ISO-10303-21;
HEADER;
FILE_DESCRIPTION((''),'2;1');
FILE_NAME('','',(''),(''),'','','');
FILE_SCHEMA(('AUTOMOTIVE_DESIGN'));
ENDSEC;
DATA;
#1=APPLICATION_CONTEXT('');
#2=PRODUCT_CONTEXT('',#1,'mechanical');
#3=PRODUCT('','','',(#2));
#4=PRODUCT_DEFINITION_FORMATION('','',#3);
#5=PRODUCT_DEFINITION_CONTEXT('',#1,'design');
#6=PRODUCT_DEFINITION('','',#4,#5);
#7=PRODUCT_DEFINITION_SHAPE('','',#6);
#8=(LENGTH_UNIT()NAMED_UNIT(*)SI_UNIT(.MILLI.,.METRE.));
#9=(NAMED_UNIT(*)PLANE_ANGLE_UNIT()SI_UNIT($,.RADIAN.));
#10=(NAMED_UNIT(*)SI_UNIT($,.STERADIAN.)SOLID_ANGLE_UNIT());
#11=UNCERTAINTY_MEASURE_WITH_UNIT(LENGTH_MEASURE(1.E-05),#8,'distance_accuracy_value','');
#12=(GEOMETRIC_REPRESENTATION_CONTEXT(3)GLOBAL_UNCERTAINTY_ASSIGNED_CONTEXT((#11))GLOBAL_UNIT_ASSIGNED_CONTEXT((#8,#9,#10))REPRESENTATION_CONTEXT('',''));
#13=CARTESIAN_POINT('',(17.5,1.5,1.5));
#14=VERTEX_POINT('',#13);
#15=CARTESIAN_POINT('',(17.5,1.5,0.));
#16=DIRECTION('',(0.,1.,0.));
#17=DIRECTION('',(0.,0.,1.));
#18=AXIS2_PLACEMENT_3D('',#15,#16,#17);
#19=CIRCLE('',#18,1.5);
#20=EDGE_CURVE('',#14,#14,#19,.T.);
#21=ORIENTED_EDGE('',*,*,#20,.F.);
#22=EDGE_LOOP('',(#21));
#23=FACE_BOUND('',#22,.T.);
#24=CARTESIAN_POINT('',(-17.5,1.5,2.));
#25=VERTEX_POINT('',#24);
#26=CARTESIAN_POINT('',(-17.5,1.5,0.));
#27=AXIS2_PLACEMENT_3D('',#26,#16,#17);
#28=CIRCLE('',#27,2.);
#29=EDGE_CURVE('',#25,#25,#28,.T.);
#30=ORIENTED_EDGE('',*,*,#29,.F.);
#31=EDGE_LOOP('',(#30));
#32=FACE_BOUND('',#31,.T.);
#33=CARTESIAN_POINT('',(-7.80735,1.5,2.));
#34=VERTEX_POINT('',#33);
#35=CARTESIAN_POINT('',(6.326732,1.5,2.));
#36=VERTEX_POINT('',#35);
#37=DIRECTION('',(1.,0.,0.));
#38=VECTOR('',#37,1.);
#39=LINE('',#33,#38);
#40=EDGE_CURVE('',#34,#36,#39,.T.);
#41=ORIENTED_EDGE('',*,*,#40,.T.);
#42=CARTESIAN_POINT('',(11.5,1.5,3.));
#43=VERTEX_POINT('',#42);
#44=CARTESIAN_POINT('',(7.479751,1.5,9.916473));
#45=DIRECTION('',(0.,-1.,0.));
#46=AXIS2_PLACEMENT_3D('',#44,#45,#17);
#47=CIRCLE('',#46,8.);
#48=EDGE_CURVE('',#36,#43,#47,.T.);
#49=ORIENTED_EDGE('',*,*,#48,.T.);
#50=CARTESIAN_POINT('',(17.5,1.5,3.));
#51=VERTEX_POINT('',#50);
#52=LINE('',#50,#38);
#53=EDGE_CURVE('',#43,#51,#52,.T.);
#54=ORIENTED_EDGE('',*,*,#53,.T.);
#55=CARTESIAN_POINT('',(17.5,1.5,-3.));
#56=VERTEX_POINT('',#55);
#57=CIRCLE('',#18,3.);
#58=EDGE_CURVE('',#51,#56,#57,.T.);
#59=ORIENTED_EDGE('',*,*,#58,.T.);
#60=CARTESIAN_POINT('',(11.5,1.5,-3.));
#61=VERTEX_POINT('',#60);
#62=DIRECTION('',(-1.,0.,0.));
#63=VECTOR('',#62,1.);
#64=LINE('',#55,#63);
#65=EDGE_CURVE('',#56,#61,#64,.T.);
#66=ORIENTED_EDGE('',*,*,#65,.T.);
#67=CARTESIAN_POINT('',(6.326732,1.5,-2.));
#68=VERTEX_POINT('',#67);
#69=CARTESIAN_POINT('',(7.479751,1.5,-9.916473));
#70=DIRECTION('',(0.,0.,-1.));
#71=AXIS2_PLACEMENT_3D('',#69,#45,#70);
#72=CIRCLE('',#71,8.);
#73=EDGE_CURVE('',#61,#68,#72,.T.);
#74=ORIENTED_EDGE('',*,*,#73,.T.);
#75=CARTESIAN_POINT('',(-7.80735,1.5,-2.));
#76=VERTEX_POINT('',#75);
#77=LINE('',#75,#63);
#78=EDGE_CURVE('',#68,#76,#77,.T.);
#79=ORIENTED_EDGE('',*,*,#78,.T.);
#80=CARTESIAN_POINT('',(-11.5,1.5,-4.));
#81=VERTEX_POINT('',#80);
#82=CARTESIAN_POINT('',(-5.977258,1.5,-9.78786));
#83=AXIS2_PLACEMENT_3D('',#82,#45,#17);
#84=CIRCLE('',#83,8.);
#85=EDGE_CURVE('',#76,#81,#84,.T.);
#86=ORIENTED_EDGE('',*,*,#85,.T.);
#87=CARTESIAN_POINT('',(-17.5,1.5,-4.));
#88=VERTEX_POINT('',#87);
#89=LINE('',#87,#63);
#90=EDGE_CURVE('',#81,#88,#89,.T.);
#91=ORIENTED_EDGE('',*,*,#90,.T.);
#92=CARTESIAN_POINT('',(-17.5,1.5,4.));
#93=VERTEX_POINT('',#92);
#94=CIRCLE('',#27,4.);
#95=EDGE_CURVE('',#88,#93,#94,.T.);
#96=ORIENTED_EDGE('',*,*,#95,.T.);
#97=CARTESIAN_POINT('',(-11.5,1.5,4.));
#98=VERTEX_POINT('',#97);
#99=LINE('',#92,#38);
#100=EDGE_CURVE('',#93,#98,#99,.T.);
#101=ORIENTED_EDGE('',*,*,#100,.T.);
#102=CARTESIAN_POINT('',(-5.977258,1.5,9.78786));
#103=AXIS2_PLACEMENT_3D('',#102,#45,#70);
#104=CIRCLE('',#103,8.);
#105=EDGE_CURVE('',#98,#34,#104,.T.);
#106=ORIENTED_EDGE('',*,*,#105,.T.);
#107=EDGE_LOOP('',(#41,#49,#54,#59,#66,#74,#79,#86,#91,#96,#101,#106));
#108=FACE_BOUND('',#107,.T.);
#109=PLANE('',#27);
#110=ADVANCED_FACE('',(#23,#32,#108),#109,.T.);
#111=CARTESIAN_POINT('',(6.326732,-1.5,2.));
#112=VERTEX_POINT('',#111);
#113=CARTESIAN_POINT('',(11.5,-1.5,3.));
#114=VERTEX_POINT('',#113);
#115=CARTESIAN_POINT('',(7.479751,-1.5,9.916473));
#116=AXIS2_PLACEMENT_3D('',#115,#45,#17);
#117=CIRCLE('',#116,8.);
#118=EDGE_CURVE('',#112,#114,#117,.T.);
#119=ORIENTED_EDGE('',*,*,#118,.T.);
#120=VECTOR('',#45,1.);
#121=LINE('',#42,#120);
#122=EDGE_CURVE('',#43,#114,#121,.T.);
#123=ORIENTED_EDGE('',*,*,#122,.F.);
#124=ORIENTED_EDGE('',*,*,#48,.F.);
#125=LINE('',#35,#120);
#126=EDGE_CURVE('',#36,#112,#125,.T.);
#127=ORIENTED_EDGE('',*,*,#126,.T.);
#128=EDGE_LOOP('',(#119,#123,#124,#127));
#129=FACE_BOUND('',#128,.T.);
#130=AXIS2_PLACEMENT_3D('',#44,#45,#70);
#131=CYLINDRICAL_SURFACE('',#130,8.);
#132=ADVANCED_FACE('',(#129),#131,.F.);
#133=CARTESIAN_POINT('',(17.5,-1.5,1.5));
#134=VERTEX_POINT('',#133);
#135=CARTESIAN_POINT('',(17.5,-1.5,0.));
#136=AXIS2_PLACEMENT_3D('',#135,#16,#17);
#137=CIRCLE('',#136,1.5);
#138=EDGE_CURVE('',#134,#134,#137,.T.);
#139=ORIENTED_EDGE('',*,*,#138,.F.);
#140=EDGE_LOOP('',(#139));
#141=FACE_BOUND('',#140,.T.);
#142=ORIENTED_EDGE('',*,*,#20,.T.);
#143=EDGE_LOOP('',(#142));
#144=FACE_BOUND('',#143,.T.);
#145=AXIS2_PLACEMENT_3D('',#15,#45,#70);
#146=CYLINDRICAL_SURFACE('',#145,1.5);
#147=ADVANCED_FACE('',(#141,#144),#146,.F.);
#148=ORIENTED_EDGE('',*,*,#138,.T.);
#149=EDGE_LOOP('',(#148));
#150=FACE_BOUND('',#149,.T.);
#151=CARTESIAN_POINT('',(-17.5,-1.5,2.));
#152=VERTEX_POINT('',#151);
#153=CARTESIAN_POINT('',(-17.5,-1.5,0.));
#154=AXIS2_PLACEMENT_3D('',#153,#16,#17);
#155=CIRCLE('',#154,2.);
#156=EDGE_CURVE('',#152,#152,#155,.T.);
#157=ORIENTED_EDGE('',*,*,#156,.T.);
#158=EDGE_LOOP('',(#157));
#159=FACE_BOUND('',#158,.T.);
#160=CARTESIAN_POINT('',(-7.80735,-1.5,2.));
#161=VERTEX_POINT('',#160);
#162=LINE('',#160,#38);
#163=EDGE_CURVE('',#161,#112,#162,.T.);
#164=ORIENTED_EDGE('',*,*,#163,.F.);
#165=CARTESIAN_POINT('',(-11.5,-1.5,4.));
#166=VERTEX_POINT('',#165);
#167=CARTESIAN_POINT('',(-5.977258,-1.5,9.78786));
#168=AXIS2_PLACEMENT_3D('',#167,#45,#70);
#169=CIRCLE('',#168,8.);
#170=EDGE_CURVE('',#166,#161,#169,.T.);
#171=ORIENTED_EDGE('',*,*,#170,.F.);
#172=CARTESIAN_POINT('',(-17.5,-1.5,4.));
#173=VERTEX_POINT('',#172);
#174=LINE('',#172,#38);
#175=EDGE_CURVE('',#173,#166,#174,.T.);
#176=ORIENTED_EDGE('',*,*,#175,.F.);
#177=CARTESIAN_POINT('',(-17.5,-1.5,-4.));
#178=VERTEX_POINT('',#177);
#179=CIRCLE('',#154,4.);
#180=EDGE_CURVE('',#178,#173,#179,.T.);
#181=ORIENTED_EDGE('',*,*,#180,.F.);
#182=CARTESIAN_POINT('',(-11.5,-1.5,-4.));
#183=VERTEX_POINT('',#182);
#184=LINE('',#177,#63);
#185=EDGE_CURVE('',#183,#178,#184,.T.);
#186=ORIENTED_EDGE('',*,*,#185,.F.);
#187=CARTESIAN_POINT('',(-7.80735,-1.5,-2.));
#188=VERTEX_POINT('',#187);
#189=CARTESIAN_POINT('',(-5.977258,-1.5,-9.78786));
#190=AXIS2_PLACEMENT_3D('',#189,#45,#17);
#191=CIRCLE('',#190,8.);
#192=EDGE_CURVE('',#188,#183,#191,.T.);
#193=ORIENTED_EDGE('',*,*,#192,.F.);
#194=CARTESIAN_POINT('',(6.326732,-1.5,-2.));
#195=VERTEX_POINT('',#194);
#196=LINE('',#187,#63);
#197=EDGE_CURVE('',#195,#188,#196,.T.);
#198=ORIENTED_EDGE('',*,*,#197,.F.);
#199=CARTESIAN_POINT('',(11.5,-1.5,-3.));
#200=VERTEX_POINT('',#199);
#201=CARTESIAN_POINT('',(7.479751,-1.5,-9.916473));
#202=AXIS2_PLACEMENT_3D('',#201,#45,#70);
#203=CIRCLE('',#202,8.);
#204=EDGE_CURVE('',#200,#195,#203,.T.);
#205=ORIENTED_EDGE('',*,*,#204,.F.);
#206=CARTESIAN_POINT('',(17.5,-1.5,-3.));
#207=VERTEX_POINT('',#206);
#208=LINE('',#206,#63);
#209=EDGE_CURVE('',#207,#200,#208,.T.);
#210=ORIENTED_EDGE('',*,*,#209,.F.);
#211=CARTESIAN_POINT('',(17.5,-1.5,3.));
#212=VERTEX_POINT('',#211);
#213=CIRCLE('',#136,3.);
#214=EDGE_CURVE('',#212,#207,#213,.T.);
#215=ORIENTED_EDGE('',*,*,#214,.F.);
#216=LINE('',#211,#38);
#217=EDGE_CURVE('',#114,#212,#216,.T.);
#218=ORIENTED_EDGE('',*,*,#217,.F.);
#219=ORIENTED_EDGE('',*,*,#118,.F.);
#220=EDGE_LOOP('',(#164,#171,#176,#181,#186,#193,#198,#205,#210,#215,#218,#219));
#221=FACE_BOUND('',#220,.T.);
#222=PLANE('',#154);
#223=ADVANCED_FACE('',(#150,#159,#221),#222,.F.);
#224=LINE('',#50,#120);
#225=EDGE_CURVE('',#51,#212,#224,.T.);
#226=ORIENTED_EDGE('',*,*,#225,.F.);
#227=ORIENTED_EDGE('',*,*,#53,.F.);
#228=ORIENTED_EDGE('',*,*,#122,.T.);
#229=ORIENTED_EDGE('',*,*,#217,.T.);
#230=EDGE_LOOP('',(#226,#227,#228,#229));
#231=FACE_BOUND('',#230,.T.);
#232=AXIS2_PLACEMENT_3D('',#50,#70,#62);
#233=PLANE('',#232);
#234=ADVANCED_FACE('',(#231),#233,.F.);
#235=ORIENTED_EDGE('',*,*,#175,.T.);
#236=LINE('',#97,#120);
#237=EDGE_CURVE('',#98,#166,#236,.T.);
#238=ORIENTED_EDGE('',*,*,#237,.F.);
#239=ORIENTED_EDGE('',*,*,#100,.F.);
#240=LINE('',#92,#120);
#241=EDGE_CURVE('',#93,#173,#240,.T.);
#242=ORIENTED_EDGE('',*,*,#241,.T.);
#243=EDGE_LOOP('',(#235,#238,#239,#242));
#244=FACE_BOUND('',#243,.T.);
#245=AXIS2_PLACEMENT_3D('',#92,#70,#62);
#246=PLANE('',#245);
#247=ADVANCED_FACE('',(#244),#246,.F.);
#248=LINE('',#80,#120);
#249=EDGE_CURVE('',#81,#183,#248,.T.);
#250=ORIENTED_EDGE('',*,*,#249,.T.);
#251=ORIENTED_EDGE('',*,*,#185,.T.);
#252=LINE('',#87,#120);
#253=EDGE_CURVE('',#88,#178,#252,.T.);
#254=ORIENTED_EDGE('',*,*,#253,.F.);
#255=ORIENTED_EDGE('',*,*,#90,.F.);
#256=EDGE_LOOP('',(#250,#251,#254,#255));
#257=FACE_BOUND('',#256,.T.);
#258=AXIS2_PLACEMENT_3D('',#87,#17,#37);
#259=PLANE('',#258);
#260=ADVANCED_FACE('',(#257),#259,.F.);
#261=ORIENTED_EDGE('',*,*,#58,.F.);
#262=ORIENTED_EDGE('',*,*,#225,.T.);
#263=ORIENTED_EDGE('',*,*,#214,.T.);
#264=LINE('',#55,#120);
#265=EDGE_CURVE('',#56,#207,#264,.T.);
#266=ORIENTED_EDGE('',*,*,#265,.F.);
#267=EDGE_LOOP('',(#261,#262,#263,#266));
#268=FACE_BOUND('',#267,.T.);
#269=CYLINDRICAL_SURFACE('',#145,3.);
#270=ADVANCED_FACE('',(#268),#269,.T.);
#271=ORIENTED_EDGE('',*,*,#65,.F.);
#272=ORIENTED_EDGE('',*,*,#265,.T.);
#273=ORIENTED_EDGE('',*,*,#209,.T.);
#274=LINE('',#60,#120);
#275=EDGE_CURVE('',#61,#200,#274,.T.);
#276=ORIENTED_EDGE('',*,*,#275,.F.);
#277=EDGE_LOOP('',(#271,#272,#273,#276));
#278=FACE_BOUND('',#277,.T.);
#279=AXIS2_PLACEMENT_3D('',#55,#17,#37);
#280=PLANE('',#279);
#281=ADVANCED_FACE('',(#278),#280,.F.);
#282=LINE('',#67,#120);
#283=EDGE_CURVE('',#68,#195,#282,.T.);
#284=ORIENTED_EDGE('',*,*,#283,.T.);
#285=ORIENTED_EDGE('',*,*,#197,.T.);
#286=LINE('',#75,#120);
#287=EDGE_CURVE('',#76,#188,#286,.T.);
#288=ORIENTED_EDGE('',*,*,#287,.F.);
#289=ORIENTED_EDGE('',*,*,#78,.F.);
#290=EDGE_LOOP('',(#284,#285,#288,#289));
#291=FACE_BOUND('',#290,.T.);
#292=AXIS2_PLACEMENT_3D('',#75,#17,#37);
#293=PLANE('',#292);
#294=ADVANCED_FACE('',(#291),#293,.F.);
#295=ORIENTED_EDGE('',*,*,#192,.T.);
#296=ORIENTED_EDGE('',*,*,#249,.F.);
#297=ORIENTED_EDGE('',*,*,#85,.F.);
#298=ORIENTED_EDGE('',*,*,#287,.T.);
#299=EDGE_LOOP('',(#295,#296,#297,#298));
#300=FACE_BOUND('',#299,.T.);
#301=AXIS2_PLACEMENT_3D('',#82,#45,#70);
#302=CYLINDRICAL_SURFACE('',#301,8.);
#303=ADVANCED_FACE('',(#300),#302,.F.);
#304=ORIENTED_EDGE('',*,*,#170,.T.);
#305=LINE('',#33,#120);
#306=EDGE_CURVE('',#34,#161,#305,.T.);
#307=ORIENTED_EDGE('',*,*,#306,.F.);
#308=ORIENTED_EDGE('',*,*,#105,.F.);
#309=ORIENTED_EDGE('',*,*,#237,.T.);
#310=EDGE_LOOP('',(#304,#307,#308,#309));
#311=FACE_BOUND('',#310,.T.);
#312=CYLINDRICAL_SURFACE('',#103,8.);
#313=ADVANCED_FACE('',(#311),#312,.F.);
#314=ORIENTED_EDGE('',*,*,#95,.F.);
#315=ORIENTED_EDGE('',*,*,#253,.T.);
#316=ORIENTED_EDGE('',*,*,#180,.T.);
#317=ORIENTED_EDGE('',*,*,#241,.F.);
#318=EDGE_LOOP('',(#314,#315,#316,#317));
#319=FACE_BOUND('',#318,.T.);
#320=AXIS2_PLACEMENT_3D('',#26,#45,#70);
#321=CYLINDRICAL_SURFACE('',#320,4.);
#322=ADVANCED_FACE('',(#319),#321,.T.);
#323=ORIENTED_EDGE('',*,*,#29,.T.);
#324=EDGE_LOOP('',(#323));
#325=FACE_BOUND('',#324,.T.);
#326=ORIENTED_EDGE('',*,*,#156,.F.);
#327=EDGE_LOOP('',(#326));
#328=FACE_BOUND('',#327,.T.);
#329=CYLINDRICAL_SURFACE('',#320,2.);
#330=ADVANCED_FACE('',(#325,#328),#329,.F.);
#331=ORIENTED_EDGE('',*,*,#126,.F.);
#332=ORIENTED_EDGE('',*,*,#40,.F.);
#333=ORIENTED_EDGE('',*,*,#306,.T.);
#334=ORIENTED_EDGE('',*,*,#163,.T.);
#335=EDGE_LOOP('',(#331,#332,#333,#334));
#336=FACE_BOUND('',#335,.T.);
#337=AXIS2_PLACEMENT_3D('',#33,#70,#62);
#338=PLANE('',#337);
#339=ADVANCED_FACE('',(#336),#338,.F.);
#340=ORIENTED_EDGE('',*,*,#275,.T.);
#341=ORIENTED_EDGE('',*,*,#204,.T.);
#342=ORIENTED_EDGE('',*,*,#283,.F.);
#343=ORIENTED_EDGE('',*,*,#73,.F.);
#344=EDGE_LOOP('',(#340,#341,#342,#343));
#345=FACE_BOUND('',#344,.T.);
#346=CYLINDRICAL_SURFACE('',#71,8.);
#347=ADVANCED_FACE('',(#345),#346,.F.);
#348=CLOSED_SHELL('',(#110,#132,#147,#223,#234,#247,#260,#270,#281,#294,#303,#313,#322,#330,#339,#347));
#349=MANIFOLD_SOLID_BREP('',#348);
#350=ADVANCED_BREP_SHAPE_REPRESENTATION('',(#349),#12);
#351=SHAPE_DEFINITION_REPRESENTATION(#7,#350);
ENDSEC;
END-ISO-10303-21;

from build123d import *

# Parameters (mm, degrees)
SKETCH1_R           = 1.5
SKETCH1_R_2         = 2
BOSS_EXTRUDE1_DEPTH = 1.5


with BuildPart() as part:
    # Sketch1 → Boss-Extrude1 (new, symmetric)
    with BuildSketch(Plane(origin=(0, 0, 0), x_dir=(1, 0, 0), z_dir=(0, 1, 0))):
        with BuildLine():
            Line((-17.5, 4), (-11.5, 4))
            ThreePointArc((-11.5, 4), (-9.787250471, 2.753376432), (-7.807350165, 2))
            Line((-7.807350165, 2), (6.326731681, 2))
            ThreePointArc((6.326731681, 2), (8.998056486, 2.061872567), (11.5, 3))
            Line((11.5, 3), (17.5, 3))
            ThreePointArc((17.5, 3), (20.5, 0), (17.5, -3))
            Line((17.5, -3), (11.5, -3))
            ThreePointArc((11.5, -3), (8.998056486, -2.061872567), (6.326731681, -2))
            Line((6.326731681, -2), (-7.807350165, -2))
            ThreePointArc((-7.807350165, -2), (-9.787250471, -2.753376432), (-11.5, -4))
            Line((-11.5, -4), (-17.5, -4))
            ThreePointArc((-17.5, -4), (-21.5, 0), (-17.5, 4))
        make_face()
        with Locations(Location((17.5, 0, 0), (0, 0, 270))):
            Circle(SKETCH1_R, mode=Mode.SUBTRACT)
        with Locations(Location((-17.5, 0, 0), (0, 0, 270))):
            Circle(SKETCH1_R_2, mode=Mode.SUBTRACT)
    extrude(amount=BOSS_EXTRUDE1_DEPTH, both=True)


solid = part.part
